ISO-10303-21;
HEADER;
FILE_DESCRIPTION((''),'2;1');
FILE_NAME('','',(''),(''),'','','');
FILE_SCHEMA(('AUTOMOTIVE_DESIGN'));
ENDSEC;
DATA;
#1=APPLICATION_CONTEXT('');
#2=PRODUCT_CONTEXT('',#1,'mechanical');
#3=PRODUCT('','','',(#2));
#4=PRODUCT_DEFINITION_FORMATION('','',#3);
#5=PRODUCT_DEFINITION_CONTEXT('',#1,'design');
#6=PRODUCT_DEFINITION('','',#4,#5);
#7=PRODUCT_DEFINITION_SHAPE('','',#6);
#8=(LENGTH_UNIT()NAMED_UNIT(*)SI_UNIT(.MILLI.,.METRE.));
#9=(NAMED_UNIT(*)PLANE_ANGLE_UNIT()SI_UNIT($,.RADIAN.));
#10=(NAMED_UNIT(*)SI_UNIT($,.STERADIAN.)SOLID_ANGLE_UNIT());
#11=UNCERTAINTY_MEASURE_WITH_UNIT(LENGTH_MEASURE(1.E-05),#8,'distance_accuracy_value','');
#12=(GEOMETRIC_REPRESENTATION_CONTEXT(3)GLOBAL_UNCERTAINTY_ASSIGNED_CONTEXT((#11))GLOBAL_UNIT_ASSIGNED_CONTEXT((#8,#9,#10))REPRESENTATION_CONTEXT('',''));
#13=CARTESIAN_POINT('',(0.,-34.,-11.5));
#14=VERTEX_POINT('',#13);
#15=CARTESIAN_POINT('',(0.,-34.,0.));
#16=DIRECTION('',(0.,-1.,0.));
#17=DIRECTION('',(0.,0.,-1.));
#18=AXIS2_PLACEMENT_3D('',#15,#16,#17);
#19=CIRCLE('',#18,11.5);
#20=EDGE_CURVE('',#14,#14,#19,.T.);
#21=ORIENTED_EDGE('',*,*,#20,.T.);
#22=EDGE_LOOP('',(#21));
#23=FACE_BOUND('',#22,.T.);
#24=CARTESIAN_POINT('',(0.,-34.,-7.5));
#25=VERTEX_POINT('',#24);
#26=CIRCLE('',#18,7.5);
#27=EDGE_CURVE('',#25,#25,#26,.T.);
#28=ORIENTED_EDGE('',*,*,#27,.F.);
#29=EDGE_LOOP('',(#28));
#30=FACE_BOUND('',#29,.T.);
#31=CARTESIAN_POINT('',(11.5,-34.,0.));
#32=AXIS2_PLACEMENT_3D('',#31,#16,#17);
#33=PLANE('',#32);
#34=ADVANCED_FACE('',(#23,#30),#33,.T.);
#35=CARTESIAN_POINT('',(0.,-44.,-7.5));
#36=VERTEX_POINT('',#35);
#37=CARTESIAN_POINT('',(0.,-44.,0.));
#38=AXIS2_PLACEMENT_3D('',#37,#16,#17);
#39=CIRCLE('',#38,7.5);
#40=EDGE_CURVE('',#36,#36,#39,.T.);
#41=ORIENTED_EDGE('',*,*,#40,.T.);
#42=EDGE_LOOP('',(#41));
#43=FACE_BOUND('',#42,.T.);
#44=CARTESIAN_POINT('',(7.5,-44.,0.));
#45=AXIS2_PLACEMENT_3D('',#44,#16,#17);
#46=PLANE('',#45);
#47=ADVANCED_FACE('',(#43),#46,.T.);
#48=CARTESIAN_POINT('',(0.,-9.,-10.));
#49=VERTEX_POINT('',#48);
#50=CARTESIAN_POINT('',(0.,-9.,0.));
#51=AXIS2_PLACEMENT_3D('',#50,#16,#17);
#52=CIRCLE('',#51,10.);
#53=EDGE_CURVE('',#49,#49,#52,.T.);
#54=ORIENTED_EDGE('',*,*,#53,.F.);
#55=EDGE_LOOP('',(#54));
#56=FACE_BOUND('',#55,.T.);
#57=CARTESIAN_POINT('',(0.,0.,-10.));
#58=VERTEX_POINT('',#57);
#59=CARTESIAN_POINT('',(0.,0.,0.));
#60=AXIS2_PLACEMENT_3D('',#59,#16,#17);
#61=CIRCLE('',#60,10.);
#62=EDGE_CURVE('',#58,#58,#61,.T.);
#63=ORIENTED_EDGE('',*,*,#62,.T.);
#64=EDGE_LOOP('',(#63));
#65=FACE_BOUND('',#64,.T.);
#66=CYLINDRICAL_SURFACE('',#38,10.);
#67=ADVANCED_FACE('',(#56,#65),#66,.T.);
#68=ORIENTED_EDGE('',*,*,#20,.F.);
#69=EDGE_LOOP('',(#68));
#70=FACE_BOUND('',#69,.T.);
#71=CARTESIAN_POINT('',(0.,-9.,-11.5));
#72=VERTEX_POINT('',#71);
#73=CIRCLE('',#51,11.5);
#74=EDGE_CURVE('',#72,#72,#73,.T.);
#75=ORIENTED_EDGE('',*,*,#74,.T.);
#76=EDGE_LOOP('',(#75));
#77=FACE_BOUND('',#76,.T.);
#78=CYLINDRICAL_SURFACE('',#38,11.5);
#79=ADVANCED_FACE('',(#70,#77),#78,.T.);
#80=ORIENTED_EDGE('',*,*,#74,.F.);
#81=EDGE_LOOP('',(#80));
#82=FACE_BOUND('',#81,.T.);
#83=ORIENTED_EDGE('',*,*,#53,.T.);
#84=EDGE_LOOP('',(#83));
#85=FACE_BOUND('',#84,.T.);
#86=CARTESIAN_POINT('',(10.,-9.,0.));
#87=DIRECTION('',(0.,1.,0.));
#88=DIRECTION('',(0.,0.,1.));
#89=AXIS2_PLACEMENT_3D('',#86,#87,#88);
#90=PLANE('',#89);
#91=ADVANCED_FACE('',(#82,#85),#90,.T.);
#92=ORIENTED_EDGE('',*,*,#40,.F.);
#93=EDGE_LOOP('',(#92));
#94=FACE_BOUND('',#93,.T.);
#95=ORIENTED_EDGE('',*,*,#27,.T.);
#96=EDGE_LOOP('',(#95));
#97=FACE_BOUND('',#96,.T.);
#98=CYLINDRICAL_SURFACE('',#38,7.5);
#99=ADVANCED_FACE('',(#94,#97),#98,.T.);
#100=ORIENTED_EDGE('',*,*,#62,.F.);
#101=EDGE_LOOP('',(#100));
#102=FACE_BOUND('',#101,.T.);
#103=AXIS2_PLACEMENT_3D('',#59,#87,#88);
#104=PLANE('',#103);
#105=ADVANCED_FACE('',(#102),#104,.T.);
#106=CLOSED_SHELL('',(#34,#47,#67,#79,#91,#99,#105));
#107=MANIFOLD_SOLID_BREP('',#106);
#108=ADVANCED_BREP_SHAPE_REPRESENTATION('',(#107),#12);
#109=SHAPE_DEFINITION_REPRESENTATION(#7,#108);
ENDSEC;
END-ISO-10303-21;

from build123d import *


with BuildPart() as part:
    # 草图1 → 旋转1 (revolve)
    with BuildSketch(Plane.XY):
        Polygon((0, 0), (10, 0), (10, -9), (11.5, -9), (11.5, -34), (7.5, -34), (7.5, -44), (0, -44), align=None)
    revolve(axis=Axis((0, -44, 0), (0, 1, 0)))


solid = part.part
